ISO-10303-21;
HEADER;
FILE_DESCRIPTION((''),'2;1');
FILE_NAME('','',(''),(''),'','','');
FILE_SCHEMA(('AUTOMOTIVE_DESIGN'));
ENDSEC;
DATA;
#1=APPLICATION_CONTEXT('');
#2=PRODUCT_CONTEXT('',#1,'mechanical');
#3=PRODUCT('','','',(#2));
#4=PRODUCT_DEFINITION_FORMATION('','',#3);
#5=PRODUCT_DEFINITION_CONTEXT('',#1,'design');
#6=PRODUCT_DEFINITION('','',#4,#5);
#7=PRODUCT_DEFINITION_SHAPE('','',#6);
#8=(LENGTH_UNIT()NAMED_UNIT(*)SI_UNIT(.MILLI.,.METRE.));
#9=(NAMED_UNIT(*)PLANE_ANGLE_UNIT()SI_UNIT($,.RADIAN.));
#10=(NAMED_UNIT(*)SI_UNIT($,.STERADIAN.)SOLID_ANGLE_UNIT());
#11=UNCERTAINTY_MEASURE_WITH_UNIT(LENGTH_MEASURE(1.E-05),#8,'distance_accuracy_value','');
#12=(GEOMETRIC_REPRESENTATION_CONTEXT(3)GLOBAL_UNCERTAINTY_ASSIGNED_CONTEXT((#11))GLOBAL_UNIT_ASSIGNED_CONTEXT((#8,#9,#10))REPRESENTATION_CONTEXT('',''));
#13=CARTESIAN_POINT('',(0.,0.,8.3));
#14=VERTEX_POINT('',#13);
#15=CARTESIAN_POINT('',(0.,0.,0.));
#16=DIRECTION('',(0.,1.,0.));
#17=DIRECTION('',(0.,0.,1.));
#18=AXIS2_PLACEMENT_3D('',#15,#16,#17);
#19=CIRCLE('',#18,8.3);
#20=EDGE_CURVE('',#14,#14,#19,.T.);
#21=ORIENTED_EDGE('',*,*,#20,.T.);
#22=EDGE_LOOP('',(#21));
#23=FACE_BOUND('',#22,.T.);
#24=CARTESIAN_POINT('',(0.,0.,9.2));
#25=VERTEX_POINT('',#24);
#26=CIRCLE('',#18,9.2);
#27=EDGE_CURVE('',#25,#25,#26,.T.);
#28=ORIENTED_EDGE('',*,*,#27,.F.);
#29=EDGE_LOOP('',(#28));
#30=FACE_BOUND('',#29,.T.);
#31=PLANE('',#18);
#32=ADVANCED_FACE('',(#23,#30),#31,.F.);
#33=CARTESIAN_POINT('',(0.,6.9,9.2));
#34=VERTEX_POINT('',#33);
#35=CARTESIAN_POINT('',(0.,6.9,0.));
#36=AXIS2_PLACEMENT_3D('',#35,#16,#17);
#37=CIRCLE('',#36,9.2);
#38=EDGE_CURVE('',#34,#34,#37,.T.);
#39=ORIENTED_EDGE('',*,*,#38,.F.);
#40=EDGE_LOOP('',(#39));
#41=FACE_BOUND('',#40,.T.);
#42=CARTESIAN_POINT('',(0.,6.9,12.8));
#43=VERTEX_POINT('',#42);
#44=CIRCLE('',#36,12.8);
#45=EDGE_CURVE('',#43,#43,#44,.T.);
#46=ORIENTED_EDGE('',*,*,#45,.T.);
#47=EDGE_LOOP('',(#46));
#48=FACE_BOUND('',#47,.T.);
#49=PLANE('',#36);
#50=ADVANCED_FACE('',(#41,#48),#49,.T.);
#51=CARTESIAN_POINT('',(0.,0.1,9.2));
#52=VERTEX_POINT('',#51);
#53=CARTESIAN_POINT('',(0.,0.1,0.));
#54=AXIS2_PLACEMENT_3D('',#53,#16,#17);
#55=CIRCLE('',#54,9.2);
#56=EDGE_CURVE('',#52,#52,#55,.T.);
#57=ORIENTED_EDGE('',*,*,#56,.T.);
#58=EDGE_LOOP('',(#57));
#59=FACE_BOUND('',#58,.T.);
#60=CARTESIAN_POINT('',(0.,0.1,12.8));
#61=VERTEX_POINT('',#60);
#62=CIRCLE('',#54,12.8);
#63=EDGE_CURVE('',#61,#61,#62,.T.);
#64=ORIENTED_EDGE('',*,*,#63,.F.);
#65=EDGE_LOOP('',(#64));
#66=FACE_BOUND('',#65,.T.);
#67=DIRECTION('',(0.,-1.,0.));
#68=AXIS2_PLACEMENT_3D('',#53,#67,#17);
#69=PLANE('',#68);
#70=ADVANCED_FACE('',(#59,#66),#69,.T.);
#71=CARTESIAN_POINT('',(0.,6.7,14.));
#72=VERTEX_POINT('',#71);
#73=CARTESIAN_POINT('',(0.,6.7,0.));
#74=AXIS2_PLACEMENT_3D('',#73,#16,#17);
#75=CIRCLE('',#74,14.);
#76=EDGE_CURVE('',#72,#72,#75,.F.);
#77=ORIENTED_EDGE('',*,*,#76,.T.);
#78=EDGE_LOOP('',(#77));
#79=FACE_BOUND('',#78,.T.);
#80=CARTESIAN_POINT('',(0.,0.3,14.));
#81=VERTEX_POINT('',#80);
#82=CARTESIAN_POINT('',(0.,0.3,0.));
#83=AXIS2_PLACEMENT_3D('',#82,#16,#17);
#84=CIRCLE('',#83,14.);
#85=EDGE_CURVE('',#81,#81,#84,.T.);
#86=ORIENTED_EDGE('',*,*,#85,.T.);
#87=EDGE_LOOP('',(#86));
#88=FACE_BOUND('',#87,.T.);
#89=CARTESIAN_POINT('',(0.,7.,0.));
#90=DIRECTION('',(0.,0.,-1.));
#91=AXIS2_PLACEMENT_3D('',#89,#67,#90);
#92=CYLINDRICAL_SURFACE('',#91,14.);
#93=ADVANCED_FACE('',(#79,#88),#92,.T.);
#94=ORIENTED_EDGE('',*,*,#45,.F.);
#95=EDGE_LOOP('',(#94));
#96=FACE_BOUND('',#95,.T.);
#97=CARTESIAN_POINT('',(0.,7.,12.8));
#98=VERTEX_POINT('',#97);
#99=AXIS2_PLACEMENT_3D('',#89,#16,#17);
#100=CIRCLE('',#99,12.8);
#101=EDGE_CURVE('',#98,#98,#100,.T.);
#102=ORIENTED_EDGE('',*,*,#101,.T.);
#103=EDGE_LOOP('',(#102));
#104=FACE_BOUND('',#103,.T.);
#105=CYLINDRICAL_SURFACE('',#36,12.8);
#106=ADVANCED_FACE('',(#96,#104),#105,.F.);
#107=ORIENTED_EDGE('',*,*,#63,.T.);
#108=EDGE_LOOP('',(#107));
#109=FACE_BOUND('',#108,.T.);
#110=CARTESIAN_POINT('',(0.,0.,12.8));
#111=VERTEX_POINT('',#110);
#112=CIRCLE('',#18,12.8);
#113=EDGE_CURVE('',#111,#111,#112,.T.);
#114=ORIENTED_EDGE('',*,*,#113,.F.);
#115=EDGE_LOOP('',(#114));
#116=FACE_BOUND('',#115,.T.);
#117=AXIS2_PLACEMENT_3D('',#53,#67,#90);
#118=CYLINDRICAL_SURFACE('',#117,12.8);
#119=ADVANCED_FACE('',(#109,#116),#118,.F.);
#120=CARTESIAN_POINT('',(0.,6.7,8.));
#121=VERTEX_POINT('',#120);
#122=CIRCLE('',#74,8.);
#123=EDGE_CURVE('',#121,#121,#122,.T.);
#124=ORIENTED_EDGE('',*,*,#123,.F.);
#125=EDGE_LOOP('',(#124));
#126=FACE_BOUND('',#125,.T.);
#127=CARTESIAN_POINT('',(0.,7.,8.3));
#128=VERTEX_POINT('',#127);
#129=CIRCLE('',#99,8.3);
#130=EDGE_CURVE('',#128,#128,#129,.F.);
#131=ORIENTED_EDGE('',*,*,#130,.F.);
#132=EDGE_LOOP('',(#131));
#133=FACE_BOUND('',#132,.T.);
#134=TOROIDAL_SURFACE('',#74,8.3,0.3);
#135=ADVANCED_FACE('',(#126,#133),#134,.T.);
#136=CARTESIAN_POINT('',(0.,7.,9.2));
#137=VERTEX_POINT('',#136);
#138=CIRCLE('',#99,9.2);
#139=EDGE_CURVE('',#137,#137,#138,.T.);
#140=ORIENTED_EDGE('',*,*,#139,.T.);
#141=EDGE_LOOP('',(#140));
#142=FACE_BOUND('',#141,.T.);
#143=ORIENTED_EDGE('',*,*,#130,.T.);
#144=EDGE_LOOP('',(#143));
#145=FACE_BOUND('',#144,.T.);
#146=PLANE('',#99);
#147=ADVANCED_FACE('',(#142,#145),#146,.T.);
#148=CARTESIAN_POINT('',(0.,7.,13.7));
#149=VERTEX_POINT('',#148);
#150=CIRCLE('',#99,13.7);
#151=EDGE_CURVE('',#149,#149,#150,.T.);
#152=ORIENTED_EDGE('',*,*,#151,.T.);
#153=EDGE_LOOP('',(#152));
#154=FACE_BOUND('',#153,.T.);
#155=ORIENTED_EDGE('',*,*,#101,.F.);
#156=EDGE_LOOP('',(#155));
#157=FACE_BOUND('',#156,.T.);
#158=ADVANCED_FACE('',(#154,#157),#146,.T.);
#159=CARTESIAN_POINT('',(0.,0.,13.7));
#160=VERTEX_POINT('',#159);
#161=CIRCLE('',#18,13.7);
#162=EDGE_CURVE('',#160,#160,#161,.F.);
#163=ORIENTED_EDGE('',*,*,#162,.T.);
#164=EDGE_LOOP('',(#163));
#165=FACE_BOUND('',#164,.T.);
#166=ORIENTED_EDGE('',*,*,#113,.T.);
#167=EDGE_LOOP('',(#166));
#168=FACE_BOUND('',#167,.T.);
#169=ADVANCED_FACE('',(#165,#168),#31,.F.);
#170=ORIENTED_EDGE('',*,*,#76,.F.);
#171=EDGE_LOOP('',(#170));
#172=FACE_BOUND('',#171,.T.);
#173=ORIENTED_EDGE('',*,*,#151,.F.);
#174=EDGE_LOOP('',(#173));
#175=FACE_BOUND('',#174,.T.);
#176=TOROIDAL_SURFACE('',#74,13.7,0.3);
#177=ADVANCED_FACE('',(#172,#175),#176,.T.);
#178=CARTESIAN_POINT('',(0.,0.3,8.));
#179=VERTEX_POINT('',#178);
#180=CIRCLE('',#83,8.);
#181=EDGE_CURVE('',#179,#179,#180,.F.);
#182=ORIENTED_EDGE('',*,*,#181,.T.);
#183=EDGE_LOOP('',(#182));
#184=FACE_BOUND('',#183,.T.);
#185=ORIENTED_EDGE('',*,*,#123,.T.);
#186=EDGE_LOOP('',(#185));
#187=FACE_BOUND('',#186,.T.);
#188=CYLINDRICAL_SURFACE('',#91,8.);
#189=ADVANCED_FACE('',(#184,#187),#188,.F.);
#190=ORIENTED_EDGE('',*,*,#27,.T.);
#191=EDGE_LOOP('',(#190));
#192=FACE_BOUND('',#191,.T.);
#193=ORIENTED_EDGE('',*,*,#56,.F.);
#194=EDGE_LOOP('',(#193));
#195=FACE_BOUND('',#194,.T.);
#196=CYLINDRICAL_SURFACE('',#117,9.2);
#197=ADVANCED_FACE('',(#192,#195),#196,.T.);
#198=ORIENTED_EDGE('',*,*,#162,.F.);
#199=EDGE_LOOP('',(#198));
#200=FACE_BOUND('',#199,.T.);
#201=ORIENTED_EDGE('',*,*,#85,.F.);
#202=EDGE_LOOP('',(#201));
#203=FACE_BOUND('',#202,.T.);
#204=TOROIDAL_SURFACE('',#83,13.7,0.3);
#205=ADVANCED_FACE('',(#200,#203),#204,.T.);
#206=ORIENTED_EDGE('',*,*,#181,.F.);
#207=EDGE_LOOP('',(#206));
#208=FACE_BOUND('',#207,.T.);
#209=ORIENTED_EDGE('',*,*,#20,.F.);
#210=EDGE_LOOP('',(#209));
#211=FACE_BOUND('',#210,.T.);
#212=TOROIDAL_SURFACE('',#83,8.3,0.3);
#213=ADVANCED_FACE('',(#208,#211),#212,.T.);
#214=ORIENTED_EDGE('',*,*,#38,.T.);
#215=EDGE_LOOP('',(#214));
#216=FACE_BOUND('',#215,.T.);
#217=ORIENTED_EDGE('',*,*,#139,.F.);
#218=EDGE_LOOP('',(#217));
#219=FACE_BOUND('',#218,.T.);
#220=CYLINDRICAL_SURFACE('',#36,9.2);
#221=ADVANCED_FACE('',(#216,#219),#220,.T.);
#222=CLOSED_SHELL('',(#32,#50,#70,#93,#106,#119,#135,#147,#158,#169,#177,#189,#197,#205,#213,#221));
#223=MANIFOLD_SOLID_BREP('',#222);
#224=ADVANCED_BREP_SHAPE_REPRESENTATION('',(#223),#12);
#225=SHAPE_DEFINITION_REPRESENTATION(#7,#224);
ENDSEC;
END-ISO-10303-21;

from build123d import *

# Parameters (mm, degrees)
CROQUIS1_R              = 14
CROQUIS1_R_2            = 8
SALIENTE_EXTRUIR1_DEPTH = 7
CROQUIS2_R              = 12.8
CROQUIS2_R_2            = 9.2
CORTAR_EXTRUIR1_DEPTH   = 0.1
REDONDEO1_R             = 0.3


with BuildPart() as part:
    # Croquis1 → Saliente-Extruir1 (new body)
    with BuildSketch(Plane(origin=(0, 0, 0), x_dir=(1, 0, 0), z_dir=(0, 1, 0))):
        with Locations(Location((0, 0, 0), (0, 0, 270))):
            Circle(CROQUIS1_R)
        with Locations(Location((0, 0, 0), (0, 0, 270))):
            Circle(CROQUIS1_R_2, mode=Mode.SUBTRACT)
    extrude(amount=SALIENTE_EXTRUIR1_DEPTH)

    # Croquis2 → Cortar-Extruir1 (cut)
    with BuildSketch(Plane(origin=(0, 7, 0), x_dir=(1, 0, 0), z_dir=(0, 1, 0))):
        with Locations(Location((0, 0, 0), (0, 0, 270))):
            Circle(CROQUIS2_R)
        with Locations(Location((0, 0, 0), (0, 0, 270))):
            Circle(CROQUIS2_R_2, mode=Mode.SUBTRACT)
    cortar_extruir1 = extrude(amount=-CORTAR_EXTRUIR1_DEPTH, mode=Mode.SUBTRACT)

    # Simetría1: Cortar-Extruir1 across plane
    add(cortar_extruir1.mirror(Plane.ZX.offset(3.5)), mode=Mode.SUBTRACT)

    # Redondeo1
    redondeo1_edges = [part.edges().sort_by_distance(p)[0] for p in [
        (0, 0, -14),
        (0, 7, -14),
        (0, 0, -8),
        (0, 7, -8),
    ]]
    fillet(redondeo1_edges, radius=REDONDEO1_R)


solid = part.part
